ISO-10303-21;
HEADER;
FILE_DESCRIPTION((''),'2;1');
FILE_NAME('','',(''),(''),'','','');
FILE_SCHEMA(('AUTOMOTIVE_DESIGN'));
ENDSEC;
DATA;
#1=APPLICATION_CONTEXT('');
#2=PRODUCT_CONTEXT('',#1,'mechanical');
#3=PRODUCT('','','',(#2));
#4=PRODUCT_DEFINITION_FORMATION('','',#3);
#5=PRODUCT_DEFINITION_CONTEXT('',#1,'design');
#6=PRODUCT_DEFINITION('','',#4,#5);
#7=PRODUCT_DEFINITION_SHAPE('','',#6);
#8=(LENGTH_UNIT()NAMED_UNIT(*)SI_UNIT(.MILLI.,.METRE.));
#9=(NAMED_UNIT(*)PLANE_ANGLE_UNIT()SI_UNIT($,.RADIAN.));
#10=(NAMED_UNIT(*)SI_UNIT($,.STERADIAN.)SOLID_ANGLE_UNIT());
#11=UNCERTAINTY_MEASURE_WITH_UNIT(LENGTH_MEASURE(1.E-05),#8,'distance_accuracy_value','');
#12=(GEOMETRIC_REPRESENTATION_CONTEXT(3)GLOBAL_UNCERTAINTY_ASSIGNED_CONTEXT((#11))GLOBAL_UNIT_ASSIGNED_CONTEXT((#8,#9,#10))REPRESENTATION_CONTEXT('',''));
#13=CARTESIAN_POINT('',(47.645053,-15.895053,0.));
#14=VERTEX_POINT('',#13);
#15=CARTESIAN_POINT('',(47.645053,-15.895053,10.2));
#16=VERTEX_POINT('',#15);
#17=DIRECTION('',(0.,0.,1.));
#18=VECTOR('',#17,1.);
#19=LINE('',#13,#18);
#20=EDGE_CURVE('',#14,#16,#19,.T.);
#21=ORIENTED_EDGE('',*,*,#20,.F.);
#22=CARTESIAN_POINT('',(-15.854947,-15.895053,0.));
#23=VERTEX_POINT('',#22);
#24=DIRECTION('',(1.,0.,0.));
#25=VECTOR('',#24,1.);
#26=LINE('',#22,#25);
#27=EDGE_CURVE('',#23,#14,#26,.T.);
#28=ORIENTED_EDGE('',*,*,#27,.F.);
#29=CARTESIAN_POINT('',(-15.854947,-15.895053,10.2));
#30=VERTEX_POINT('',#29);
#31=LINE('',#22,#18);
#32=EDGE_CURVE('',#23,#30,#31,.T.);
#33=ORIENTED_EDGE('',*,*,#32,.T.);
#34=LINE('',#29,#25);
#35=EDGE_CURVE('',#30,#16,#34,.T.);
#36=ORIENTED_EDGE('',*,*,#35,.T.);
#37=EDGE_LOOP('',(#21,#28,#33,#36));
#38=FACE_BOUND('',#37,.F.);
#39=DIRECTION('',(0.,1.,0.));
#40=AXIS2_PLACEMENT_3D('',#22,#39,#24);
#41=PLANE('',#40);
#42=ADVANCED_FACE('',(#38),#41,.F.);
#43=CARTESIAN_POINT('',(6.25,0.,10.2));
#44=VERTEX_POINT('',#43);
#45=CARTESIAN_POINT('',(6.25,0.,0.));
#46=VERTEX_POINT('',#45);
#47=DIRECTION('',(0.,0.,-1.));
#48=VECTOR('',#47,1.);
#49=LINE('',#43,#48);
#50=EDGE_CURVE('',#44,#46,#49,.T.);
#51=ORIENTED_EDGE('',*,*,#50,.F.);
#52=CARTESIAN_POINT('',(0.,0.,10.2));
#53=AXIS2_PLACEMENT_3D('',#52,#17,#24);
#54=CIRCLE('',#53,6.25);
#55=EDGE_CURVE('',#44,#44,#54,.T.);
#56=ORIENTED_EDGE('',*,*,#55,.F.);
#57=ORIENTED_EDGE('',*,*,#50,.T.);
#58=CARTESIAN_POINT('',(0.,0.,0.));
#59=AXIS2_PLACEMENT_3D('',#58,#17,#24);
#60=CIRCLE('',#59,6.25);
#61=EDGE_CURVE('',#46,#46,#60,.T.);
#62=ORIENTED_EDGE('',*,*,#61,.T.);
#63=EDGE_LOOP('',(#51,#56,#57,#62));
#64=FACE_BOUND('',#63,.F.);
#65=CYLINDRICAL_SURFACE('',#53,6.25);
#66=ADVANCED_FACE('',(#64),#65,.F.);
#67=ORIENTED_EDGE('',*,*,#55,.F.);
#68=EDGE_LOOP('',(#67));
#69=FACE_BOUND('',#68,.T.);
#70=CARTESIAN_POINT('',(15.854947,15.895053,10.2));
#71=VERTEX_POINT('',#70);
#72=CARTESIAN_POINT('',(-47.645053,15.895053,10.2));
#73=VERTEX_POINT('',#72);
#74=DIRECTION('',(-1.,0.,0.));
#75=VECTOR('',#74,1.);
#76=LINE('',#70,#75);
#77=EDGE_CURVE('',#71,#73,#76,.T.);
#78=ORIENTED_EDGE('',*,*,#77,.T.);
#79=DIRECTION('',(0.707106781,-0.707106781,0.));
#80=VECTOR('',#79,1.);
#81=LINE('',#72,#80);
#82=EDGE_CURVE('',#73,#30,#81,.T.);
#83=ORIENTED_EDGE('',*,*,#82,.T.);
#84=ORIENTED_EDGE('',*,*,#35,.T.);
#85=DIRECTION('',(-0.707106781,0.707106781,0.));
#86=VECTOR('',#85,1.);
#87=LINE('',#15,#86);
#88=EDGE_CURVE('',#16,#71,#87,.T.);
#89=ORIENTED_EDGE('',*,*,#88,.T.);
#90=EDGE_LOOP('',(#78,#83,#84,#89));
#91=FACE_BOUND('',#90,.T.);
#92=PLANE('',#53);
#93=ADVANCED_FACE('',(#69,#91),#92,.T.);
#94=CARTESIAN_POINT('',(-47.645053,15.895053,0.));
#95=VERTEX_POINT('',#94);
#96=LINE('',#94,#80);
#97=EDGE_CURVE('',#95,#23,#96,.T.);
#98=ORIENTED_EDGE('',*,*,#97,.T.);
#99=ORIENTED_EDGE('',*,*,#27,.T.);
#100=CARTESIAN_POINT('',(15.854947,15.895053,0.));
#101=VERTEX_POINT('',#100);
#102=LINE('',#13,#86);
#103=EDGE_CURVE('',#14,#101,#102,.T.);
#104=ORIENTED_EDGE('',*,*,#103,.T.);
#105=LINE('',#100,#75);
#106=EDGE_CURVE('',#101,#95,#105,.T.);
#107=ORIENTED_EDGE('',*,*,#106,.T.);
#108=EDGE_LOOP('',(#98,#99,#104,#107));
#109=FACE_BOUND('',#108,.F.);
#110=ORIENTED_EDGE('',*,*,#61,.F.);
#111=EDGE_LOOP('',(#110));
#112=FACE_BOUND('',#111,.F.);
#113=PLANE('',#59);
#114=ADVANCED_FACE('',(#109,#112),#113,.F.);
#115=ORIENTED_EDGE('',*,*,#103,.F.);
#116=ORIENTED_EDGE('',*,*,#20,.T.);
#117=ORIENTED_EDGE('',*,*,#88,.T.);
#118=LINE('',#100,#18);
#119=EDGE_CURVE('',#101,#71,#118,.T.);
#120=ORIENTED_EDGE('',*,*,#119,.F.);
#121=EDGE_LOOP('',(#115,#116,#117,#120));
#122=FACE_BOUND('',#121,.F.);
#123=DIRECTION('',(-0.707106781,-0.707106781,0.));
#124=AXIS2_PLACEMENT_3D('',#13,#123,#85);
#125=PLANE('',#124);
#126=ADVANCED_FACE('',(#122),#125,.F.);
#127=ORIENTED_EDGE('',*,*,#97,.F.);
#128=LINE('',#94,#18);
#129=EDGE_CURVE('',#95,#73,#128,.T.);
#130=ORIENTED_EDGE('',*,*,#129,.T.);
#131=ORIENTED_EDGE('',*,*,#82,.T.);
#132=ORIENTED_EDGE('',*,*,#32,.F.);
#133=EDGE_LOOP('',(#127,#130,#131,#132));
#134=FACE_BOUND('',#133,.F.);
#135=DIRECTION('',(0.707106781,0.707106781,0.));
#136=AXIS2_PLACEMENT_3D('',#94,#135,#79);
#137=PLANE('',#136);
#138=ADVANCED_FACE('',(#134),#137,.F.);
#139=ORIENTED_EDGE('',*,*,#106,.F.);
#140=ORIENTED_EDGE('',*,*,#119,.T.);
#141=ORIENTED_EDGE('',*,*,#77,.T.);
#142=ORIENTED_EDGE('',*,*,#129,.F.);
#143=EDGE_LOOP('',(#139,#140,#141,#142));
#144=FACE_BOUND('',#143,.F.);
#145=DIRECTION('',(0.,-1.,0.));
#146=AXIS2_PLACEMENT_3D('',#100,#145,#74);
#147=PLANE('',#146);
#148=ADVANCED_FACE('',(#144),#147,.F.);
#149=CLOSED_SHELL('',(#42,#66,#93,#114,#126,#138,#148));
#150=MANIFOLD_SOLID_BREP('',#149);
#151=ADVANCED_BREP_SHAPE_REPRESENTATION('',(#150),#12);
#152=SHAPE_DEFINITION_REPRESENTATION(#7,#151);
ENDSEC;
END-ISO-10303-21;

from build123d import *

# Parameters (mm, degrees)
F1_DEPTH = 10.2
F2_R     = 6.25
F3_DEPTH = 10.201


with BuildPart() as f1:
    # F0 (on Top) → F1 (new body)
    with BuildSketch(Plane.XY):
        Polygon((15.854947, 15.895053), (-47.645053, 15.895053), (-15.854947, -15.895053), (47.645053, -15.895053), align=None)
    extrude(amount=F1_DEPTH)

    # F2 (on face) → F3 (cut, through all)
    with BuildSketch(Plane.XY.offset(10.2)):
        Circle(F2_R)
    extrude(amount=-F3_DEPTH, mode=Mode.SUBTRACT)


solid = f1.part
